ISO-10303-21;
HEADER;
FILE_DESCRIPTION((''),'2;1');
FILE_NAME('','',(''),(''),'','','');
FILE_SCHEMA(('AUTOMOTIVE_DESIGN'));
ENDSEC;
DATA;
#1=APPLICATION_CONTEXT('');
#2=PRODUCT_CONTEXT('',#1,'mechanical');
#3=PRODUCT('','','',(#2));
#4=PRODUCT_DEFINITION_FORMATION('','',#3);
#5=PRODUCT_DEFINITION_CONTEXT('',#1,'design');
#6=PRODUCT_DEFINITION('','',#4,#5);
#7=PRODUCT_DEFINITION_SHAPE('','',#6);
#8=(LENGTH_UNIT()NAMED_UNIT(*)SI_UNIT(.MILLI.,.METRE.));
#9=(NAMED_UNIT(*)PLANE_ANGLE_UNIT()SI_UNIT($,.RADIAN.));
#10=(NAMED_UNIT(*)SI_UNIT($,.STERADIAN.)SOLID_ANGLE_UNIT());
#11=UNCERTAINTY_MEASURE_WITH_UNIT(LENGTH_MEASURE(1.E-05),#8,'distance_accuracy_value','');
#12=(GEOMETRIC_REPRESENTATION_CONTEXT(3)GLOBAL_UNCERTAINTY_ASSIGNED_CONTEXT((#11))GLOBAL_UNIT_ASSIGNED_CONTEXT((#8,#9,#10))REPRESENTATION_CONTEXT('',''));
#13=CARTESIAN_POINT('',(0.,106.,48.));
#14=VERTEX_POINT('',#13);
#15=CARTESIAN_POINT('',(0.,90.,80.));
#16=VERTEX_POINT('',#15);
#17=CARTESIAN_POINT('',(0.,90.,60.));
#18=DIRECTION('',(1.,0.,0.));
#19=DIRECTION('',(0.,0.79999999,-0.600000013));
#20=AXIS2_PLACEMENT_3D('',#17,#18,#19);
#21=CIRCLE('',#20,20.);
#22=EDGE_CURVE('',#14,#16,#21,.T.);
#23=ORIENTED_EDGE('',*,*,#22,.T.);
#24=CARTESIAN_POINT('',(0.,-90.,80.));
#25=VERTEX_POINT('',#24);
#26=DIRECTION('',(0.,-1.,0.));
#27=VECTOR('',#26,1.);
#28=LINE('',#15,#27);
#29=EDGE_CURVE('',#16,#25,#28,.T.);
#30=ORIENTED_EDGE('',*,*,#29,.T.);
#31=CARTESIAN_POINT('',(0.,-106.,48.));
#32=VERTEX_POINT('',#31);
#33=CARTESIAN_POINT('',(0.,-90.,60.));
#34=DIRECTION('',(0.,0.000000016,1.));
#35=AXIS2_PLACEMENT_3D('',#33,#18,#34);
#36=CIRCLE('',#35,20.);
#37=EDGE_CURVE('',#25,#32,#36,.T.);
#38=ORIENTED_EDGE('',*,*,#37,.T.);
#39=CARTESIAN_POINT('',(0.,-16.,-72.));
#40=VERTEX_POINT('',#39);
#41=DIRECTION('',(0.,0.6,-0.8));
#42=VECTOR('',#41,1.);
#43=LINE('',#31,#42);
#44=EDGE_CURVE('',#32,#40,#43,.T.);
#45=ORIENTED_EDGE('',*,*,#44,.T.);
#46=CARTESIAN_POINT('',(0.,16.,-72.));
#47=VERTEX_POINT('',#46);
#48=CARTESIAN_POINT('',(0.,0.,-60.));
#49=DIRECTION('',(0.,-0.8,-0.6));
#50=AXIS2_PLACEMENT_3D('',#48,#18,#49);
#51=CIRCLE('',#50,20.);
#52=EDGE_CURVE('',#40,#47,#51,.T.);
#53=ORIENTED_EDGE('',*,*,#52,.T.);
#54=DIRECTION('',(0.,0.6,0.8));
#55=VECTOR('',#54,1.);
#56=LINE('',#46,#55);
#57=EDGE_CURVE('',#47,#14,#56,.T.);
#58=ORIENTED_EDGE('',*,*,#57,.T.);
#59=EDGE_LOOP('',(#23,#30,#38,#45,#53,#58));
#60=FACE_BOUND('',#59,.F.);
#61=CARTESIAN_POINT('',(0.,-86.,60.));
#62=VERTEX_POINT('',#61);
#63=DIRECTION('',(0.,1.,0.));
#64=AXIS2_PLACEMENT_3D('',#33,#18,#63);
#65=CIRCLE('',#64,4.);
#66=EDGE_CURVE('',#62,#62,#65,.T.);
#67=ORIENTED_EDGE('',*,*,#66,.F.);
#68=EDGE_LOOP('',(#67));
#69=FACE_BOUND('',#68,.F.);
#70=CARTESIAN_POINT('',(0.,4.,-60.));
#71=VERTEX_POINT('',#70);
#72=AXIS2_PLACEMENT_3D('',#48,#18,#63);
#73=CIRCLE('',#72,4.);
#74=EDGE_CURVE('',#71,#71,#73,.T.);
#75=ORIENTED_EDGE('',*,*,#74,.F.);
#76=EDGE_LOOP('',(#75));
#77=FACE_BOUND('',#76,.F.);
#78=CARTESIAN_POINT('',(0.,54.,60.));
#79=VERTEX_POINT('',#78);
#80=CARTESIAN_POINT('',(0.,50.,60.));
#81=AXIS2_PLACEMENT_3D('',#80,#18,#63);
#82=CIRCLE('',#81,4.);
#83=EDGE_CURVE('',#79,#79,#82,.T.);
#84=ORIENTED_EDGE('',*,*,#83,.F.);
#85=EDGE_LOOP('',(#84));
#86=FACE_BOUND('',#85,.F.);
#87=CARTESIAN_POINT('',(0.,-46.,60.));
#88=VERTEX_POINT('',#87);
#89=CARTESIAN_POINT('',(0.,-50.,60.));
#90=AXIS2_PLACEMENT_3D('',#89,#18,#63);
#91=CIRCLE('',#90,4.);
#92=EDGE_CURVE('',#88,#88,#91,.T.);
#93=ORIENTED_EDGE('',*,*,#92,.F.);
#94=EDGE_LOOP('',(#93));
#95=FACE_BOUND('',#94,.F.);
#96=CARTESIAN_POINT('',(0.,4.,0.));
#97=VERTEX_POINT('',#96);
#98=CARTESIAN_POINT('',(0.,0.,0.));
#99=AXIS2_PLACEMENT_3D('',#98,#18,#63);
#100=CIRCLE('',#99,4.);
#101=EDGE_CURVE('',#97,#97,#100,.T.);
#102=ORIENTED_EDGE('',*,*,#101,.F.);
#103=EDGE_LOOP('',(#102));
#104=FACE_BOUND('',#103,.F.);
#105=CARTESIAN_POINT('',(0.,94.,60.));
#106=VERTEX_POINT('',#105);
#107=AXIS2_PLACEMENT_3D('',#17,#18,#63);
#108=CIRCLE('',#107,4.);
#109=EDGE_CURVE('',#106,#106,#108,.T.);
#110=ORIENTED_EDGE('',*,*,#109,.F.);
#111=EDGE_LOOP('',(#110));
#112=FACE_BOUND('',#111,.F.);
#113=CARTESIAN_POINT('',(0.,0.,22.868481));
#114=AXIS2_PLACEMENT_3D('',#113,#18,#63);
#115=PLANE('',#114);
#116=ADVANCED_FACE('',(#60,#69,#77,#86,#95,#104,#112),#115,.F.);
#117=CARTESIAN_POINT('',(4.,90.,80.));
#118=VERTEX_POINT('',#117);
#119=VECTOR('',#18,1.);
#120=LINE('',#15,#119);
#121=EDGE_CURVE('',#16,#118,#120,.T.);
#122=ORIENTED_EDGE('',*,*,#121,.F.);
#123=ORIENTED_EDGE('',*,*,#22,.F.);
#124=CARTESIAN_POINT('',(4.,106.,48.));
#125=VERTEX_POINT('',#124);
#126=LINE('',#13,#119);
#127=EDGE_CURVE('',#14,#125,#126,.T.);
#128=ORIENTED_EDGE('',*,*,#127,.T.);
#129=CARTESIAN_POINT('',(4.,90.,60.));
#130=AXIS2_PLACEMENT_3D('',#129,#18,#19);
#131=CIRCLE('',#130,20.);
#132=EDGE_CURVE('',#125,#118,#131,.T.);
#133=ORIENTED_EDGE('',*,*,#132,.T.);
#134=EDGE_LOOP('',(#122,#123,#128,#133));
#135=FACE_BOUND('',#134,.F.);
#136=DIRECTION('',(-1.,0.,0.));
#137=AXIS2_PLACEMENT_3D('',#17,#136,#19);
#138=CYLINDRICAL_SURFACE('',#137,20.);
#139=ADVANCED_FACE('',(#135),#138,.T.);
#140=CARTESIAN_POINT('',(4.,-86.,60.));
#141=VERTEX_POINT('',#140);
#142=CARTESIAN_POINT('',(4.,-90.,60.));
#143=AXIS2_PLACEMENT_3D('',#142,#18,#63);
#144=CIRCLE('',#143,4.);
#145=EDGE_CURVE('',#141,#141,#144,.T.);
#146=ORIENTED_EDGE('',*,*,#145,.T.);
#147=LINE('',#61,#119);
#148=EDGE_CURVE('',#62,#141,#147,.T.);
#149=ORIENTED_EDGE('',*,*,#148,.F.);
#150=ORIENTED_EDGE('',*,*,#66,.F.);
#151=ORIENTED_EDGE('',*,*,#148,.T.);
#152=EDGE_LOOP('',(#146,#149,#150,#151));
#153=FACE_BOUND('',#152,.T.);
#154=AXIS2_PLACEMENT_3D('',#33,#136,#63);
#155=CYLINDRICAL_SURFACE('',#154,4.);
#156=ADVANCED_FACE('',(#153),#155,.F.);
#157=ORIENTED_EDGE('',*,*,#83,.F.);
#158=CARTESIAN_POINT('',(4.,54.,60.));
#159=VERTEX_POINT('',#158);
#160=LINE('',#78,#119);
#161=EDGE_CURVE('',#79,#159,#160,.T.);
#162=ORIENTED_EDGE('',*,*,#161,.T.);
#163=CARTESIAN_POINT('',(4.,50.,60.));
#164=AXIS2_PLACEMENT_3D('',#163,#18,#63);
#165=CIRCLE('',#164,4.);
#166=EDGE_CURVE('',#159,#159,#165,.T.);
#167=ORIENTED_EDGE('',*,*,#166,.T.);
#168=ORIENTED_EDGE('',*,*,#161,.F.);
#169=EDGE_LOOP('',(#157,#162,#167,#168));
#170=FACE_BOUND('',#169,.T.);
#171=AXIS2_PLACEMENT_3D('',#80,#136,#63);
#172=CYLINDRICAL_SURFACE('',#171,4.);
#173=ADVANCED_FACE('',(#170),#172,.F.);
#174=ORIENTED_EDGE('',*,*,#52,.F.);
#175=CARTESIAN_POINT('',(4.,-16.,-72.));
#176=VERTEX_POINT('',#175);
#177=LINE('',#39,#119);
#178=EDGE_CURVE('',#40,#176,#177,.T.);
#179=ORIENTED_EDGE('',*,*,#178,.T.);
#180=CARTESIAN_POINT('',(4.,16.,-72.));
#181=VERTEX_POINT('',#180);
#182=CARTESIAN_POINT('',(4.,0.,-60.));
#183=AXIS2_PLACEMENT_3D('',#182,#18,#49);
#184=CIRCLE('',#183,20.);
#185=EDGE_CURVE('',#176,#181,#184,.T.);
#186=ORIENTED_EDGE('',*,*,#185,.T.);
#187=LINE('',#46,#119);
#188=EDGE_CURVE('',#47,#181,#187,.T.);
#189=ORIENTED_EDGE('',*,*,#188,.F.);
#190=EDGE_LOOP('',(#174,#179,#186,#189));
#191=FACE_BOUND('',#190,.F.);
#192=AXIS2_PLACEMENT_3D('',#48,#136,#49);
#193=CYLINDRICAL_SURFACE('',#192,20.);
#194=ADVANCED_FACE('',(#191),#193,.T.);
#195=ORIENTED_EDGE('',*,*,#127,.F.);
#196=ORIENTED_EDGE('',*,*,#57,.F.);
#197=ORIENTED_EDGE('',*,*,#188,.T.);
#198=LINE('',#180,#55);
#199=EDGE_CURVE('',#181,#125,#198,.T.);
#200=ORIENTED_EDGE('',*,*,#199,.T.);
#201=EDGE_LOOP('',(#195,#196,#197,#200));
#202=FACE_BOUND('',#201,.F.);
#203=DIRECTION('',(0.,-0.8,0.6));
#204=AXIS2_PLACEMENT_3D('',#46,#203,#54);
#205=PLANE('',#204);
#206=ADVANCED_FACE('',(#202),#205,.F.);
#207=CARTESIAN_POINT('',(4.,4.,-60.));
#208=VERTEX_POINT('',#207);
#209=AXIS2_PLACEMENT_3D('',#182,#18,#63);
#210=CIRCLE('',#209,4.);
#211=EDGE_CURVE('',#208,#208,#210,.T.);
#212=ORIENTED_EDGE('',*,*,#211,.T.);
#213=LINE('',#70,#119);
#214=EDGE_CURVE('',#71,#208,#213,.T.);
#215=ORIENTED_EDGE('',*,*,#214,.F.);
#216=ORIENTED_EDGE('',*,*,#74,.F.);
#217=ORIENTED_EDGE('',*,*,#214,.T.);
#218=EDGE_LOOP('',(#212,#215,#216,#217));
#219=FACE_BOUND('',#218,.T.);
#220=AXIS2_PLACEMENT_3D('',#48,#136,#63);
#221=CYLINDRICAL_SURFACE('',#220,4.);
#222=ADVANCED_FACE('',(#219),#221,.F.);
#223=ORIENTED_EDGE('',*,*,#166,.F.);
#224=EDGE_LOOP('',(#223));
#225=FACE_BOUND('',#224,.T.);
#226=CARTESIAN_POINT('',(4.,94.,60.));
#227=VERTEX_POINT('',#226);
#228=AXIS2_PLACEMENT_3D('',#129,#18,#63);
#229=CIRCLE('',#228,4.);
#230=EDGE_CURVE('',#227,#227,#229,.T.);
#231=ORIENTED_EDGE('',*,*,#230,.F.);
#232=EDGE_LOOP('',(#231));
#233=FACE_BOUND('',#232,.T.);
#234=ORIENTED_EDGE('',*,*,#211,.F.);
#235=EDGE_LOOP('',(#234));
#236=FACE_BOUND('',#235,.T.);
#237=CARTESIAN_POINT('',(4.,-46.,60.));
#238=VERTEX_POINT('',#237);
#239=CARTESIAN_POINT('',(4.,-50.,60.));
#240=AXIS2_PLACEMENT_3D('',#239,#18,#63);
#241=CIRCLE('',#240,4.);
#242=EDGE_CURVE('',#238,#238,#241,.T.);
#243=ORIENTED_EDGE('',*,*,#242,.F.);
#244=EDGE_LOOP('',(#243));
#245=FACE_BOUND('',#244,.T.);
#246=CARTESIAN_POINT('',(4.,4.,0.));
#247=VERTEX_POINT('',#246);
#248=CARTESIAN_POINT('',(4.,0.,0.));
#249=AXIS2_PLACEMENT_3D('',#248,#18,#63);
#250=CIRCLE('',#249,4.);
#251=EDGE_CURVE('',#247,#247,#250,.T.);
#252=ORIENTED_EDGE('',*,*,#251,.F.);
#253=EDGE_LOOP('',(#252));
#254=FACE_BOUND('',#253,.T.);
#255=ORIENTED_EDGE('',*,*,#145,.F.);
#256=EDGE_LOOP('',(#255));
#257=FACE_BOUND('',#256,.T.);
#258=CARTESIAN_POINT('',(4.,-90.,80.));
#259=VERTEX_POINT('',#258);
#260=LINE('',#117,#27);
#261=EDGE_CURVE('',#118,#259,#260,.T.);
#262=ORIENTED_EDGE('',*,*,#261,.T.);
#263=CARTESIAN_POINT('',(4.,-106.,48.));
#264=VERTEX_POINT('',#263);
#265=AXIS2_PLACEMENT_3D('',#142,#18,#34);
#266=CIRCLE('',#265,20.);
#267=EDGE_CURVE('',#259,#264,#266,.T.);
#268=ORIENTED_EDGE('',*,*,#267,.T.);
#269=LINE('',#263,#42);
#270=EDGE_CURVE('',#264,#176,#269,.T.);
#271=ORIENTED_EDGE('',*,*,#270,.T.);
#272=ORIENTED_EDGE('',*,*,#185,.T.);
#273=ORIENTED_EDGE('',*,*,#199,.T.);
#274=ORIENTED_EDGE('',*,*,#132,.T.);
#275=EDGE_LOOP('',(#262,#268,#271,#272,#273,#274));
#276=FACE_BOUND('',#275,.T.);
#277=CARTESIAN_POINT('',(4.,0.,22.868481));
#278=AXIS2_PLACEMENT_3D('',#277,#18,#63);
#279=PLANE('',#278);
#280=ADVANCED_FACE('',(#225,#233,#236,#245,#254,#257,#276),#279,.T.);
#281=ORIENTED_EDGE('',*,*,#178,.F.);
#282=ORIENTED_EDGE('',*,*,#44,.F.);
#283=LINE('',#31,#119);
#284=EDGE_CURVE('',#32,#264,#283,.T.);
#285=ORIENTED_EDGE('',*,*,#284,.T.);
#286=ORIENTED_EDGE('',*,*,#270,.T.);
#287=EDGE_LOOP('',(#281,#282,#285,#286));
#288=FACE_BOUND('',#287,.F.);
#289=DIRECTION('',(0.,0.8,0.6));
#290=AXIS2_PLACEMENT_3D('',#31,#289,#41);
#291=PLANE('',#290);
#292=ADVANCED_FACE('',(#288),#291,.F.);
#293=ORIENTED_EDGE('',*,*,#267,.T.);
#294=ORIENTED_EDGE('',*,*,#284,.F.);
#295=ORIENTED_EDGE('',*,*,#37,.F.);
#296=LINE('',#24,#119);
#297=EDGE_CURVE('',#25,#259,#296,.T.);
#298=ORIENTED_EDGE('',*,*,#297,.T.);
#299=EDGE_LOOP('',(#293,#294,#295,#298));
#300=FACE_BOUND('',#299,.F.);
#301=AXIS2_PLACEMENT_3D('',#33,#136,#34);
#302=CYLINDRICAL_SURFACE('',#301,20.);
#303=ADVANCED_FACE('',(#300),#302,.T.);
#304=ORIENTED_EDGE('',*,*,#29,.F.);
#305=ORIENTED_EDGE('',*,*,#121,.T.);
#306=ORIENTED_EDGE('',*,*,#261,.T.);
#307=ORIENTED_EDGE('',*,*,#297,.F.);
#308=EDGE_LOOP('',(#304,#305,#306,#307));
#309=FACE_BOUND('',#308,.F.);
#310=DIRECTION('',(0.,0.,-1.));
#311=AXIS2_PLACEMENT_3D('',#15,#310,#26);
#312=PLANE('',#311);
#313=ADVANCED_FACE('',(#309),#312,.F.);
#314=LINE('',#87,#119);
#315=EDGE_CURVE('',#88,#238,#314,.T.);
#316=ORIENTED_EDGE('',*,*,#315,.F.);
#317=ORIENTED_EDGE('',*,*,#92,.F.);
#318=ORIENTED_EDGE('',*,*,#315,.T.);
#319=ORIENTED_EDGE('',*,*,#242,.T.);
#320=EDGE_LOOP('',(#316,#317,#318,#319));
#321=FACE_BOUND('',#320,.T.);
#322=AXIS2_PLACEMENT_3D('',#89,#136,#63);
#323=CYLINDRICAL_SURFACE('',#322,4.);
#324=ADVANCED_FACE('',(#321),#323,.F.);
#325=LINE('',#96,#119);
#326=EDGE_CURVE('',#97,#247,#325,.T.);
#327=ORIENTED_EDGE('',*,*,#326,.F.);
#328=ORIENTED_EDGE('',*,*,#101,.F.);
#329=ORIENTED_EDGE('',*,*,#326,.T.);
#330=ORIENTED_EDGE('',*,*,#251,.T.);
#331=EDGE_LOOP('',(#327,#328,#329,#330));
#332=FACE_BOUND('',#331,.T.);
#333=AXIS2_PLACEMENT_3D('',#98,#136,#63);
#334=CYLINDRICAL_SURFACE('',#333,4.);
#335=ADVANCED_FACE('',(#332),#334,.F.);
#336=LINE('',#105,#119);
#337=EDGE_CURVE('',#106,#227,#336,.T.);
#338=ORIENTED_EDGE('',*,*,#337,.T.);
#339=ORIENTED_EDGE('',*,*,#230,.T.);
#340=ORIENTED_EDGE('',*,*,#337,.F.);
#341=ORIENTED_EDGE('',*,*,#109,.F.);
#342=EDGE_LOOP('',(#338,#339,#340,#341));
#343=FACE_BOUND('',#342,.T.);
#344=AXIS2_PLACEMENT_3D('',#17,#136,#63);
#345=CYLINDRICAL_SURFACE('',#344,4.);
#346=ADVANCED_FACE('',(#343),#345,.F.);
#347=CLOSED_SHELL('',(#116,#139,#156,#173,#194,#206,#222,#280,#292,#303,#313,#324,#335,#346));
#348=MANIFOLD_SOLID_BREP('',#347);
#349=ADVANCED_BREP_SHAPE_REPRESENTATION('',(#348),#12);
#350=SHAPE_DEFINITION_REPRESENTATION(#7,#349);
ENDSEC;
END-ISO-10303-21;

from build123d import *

# Parameters (mm, degrees)
F0_R     = 4
F1_DEPTH = 4


with BuildPart() as f1:
    # F0 (on Right) → F1 (new body)
    with BuildSketch(Plane.YZ):
        with BuildLine():
            Line((-106, 48), (-16, -72))
            ThreePointArc((-16, -72), (0, -80), (16, -72))
            Line((16, -72), (106, 48))
            ThreePointArc((106, 48), (107.888544, 68.944272), (90, 80))
            Line((90, 80), (-90, 80))
            ThreePointArc((-90, 80), (-107.888544, 68.944272), (-106, 48))
        make_face()
        with Locations((0, -60)):
            Circle(F0_R, mode=Mode.SUBTRACT)
        with Locations((-90, 60)):
            Circle(F0_R, mode=Mode.SUBTRACT)
        with Locations((-50, 60)):
            Circle(F0_R, mode=Mode.SUBTRACT)
        Circle(F0_R, mode=Mode.SUBTRACT)
        with Locations((50, 60)):
            Circle(F0_R, mode=Mode.SUBTRACT)
        with Locations((90, 60)):
            Circle(F0_R, mode=Mode.SUBTRACT)
    extrude(amount=F1_DEPTH)


solid = f1.part
